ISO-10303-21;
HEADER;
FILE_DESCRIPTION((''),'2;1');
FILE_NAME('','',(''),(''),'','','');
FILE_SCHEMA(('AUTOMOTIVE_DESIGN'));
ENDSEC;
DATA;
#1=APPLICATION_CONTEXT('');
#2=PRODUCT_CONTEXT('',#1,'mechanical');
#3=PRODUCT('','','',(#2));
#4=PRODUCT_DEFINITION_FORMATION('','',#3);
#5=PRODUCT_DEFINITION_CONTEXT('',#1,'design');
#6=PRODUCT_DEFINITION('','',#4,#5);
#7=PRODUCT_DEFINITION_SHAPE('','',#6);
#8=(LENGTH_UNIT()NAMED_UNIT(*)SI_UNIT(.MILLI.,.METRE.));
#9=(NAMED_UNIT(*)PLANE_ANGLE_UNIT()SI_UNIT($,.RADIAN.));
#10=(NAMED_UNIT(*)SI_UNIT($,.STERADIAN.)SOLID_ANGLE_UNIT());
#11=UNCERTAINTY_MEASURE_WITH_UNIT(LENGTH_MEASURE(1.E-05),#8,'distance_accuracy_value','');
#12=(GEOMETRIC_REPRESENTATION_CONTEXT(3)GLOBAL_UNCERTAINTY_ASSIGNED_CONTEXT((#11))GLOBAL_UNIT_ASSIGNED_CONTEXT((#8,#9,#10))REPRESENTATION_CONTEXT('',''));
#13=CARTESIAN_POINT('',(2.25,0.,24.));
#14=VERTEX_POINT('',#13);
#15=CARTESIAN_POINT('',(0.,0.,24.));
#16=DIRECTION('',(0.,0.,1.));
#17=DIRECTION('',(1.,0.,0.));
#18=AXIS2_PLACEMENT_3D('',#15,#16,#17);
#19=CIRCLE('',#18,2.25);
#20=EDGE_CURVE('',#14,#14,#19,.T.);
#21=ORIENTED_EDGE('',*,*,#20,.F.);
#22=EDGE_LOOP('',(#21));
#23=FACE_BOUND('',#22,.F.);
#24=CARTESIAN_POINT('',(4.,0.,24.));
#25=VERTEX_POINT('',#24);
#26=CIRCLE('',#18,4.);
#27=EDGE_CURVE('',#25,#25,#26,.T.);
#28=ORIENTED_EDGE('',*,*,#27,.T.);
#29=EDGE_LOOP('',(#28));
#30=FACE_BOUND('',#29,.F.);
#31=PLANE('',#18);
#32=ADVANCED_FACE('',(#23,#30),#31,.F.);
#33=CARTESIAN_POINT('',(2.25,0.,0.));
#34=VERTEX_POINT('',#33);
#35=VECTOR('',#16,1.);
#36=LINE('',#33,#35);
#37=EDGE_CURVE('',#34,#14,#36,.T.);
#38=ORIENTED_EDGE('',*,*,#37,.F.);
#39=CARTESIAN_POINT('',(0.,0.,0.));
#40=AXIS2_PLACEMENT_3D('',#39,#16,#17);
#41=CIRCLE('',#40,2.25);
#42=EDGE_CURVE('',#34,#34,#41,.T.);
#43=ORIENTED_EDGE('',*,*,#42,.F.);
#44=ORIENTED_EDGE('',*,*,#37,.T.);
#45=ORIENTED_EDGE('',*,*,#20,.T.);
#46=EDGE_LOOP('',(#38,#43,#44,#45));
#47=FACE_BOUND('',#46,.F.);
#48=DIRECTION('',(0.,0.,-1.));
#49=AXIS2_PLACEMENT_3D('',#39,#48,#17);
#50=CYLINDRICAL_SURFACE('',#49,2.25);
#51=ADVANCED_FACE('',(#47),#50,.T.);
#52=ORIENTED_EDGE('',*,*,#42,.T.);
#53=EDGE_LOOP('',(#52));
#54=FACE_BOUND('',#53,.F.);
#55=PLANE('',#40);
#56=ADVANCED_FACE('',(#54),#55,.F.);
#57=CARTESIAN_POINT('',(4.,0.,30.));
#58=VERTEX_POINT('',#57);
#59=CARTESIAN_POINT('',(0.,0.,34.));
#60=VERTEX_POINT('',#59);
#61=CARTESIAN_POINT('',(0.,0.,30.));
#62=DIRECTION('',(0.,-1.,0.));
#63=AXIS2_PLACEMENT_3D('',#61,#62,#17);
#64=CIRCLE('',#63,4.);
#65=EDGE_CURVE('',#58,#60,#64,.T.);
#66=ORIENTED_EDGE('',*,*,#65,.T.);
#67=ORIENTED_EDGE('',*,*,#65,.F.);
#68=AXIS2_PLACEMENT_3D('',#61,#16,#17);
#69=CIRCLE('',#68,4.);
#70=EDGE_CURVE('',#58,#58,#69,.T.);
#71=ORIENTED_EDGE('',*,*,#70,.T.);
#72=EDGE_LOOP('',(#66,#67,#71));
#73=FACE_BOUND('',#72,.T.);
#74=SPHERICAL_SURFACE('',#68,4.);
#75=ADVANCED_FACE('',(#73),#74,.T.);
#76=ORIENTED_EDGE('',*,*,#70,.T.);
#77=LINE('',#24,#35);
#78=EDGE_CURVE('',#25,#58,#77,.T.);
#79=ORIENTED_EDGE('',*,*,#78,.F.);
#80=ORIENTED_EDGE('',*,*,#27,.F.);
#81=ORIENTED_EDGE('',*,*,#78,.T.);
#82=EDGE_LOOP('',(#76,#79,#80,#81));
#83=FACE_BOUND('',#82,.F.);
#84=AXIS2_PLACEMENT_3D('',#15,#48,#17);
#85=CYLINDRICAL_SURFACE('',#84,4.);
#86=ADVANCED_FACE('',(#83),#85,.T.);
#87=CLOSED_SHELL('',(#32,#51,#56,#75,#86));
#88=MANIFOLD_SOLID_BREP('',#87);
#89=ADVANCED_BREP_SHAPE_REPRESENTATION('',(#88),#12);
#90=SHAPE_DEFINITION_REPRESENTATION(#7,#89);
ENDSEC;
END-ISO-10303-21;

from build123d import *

# Parameters (mm, degrees)
F0_R     = 2.25
F1_DEPTH = 24
F2_R     = 4
F2_R_2   = 2.25
F3_DEPTH = 10
F4_R     = 4


with BuildPart() as f1:
    # F0 (on Top) → F1 (new body)
    with BuildSketch(Plane.XY):
        Circle(F0_R)
    extrude(amount=F1_DEPTH)

    # F2 (on face) → F3 (join)
    with BuildSketch(Plane.XY.offset(24)):
        Circle(F2_R)
        Circle(F2_R_2, mode=Mode.SUBTRACT)
        Circle(F2_R_2)
    extrude(amount=F3_DEPTH)

    # F4
    f4_edges = [f1.edges().sort_by_distance(p)[0] for p in [
        (-4, 0, 34),
    ]]
    fillet(f4_edges, radius=F4_R)


solid = f1.part
